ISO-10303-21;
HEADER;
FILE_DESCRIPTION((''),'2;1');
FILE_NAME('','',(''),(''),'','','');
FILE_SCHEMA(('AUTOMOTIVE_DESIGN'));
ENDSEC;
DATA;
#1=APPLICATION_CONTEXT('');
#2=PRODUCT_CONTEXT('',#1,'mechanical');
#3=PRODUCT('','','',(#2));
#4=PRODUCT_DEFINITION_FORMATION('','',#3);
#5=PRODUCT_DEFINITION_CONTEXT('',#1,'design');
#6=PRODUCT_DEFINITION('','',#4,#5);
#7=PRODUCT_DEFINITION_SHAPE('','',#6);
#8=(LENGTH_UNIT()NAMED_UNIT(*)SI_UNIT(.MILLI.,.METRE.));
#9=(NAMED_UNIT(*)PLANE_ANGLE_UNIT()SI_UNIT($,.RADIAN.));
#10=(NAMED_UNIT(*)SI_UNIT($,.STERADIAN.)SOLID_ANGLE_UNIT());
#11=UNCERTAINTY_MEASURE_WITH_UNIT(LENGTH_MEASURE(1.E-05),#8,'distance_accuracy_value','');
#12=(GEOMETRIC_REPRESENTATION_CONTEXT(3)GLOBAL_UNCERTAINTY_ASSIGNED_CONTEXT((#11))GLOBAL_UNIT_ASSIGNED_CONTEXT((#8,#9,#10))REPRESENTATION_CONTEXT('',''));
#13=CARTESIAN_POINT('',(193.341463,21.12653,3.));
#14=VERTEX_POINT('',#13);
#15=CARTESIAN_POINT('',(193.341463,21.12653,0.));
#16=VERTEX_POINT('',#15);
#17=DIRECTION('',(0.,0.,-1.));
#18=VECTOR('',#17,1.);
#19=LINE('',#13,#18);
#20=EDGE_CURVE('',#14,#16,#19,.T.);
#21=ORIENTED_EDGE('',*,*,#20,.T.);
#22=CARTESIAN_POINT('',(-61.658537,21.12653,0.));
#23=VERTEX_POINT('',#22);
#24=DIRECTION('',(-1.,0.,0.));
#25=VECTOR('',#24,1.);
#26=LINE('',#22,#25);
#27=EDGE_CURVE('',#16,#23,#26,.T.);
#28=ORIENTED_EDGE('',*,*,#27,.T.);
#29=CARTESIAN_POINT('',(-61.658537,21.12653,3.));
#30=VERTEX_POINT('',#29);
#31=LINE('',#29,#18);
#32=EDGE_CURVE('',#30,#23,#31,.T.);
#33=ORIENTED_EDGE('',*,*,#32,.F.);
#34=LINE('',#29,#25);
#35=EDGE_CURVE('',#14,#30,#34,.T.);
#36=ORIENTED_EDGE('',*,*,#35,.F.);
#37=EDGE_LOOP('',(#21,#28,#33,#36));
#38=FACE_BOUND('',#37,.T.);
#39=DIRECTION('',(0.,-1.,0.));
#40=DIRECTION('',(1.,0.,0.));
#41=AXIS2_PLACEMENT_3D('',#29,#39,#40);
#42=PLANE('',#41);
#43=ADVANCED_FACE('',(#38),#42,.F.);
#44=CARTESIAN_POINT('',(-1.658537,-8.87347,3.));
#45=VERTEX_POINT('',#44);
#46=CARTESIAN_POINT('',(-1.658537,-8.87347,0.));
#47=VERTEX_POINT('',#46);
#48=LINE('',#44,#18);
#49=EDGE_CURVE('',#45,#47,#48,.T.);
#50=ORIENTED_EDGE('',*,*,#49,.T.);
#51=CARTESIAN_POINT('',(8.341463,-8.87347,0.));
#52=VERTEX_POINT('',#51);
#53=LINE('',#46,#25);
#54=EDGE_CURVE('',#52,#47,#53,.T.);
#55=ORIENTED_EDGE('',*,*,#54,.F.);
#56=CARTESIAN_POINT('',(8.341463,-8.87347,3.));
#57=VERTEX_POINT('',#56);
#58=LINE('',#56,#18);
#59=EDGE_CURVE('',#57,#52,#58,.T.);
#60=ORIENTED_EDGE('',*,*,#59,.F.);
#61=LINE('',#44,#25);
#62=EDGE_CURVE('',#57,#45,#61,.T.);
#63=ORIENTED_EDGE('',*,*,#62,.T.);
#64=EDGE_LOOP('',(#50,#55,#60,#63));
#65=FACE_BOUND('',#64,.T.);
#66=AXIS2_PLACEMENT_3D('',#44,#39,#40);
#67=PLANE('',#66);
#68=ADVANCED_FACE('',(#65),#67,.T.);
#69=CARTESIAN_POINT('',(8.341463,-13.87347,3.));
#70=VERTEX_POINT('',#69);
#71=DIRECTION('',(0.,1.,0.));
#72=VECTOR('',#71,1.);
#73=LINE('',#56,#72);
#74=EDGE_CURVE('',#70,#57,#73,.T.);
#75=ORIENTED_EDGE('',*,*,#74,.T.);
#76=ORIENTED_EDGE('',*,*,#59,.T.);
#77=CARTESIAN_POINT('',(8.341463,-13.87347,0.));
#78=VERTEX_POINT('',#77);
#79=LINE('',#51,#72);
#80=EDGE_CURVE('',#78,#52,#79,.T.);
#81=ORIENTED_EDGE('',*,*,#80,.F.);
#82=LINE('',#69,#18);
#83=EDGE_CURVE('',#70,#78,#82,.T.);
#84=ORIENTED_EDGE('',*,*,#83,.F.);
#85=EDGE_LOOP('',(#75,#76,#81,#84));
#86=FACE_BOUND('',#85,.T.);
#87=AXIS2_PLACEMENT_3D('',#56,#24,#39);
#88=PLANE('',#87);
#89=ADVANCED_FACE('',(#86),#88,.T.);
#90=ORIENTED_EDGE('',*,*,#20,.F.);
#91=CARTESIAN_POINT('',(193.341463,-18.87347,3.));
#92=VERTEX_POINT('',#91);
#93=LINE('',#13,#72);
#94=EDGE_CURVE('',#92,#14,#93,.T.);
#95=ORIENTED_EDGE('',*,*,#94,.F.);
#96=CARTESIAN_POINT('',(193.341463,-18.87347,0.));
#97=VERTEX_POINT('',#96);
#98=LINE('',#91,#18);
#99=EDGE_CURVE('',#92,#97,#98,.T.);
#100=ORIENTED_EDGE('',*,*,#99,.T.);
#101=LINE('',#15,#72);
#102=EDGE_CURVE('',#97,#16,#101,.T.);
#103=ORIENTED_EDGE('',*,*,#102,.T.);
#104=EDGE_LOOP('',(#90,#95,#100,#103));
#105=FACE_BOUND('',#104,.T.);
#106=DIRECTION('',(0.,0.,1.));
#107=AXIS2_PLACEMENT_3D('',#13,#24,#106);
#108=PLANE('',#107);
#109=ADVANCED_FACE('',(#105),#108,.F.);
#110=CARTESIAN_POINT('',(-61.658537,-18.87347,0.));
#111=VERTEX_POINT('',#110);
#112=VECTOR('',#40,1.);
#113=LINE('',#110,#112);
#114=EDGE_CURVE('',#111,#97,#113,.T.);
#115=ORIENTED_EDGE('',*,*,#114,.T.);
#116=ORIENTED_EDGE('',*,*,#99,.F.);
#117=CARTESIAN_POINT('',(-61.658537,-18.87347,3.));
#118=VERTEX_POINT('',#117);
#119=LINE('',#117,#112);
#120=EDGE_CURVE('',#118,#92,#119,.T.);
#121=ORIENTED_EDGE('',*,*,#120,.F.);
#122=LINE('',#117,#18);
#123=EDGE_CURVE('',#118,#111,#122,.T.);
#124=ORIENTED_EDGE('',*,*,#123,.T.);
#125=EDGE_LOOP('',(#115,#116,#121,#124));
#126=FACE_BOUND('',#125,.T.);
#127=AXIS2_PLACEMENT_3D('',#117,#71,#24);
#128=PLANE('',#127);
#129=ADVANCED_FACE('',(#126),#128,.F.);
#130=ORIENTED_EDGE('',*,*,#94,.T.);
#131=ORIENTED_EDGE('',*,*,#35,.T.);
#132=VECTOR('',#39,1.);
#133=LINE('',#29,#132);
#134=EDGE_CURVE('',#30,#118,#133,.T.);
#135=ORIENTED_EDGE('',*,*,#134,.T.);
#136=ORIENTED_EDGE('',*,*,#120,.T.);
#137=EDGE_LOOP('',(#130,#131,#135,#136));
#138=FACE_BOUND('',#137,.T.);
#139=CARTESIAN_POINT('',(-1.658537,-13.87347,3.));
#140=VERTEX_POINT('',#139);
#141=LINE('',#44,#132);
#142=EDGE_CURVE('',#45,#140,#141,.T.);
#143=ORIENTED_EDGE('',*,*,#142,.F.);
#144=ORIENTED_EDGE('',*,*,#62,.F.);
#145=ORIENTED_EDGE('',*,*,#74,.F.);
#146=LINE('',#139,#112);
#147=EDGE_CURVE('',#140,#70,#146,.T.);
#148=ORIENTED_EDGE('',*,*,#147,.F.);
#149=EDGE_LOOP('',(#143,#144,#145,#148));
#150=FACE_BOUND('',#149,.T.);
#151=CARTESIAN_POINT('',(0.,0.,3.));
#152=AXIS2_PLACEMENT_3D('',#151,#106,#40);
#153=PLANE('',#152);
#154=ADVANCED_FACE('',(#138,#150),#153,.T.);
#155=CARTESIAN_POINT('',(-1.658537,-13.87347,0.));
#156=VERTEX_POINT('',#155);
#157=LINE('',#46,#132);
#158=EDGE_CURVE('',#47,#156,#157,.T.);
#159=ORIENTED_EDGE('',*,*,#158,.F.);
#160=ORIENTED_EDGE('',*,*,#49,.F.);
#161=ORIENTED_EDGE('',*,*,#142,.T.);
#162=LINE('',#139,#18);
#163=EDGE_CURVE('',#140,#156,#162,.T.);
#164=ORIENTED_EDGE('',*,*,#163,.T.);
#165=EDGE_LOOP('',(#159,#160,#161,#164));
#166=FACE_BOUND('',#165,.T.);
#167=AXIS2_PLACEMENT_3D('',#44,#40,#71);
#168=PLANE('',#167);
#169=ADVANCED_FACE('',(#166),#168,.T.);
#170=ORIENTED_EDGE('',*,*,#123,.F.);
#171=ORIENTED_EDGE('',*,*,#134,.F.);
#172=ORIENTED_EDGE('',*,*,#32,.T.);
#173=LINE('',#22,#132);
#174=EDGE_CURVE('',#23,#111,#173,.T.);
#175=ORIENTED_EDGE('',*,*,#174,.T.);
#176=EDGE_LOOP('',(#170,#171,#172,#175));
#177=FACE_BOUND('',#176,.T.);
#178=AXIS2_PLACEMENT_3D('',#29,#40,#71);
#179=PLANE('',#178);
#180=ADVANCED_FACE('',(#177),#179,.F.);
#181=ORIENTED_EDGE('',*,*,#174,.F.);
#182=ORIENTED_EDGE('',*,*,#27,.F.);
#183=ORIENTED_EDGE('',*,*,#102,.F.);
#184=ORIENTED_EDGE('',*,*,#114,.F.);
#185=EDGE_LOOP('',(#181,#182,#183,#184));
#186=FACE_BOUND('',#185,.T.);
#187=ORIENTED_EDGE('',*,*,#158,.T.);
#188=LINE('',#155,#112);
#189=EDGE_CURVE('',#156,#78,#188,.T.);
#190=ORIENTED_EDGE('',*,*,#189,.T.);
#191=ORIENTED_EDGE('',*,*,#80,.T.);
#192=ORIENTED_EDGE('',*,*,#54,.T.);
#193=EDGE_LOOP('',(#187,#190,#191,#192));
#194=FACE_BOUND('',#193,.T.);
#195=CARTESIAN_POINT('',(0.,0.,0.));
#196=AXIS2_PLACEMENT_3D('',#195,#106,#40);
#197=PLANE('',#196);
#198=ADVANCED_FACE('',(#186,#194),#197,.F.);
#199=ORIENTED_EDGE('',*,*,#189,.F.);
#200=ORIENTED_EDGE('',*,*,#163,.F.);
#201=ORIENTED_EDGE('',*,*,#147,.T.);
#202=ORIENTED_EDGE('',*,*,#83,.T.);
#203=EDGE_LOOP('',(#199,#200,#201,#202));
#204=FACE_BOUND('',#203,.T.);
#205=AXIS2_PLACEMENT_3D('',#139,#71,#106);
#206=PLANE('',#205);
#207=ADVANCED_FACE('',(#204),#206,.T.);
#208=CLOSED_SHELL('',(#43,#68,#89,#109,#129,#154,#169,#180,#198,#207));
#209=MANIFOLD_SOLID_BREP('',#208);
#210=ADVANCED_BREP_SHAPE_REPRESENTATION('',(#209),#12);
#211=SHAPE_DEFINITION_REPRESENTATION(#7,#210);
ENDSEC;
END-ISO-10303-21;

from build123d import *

# Parameters (mm, degrees)
SKETCH1_W           = 255
SKETCH1_H           = 40
SKETCH1_W_2         = 10
SKETCH1_H_2         = 5
BOSS_EXTRUDE1_DEPTH = 3


with BuildPart() as part:
    # Sketch1 → Boss-Extrude1 (new body)
    with BuildSketch(Plane.XY):
        with Locations((65.841463415, 1.126529835)):
            Rectangle(SKETCH1_W, SKETCH1_H)
        with Locations((3.341463415, -11.373470165)):
            Rectangle(SKETCH1_W_2, SKETCH1_H_2, mode=Mode.SUBTRACT)
    extrude(amount=BOSS_EXTRUDE1_DEPTH)


solid = part.part
